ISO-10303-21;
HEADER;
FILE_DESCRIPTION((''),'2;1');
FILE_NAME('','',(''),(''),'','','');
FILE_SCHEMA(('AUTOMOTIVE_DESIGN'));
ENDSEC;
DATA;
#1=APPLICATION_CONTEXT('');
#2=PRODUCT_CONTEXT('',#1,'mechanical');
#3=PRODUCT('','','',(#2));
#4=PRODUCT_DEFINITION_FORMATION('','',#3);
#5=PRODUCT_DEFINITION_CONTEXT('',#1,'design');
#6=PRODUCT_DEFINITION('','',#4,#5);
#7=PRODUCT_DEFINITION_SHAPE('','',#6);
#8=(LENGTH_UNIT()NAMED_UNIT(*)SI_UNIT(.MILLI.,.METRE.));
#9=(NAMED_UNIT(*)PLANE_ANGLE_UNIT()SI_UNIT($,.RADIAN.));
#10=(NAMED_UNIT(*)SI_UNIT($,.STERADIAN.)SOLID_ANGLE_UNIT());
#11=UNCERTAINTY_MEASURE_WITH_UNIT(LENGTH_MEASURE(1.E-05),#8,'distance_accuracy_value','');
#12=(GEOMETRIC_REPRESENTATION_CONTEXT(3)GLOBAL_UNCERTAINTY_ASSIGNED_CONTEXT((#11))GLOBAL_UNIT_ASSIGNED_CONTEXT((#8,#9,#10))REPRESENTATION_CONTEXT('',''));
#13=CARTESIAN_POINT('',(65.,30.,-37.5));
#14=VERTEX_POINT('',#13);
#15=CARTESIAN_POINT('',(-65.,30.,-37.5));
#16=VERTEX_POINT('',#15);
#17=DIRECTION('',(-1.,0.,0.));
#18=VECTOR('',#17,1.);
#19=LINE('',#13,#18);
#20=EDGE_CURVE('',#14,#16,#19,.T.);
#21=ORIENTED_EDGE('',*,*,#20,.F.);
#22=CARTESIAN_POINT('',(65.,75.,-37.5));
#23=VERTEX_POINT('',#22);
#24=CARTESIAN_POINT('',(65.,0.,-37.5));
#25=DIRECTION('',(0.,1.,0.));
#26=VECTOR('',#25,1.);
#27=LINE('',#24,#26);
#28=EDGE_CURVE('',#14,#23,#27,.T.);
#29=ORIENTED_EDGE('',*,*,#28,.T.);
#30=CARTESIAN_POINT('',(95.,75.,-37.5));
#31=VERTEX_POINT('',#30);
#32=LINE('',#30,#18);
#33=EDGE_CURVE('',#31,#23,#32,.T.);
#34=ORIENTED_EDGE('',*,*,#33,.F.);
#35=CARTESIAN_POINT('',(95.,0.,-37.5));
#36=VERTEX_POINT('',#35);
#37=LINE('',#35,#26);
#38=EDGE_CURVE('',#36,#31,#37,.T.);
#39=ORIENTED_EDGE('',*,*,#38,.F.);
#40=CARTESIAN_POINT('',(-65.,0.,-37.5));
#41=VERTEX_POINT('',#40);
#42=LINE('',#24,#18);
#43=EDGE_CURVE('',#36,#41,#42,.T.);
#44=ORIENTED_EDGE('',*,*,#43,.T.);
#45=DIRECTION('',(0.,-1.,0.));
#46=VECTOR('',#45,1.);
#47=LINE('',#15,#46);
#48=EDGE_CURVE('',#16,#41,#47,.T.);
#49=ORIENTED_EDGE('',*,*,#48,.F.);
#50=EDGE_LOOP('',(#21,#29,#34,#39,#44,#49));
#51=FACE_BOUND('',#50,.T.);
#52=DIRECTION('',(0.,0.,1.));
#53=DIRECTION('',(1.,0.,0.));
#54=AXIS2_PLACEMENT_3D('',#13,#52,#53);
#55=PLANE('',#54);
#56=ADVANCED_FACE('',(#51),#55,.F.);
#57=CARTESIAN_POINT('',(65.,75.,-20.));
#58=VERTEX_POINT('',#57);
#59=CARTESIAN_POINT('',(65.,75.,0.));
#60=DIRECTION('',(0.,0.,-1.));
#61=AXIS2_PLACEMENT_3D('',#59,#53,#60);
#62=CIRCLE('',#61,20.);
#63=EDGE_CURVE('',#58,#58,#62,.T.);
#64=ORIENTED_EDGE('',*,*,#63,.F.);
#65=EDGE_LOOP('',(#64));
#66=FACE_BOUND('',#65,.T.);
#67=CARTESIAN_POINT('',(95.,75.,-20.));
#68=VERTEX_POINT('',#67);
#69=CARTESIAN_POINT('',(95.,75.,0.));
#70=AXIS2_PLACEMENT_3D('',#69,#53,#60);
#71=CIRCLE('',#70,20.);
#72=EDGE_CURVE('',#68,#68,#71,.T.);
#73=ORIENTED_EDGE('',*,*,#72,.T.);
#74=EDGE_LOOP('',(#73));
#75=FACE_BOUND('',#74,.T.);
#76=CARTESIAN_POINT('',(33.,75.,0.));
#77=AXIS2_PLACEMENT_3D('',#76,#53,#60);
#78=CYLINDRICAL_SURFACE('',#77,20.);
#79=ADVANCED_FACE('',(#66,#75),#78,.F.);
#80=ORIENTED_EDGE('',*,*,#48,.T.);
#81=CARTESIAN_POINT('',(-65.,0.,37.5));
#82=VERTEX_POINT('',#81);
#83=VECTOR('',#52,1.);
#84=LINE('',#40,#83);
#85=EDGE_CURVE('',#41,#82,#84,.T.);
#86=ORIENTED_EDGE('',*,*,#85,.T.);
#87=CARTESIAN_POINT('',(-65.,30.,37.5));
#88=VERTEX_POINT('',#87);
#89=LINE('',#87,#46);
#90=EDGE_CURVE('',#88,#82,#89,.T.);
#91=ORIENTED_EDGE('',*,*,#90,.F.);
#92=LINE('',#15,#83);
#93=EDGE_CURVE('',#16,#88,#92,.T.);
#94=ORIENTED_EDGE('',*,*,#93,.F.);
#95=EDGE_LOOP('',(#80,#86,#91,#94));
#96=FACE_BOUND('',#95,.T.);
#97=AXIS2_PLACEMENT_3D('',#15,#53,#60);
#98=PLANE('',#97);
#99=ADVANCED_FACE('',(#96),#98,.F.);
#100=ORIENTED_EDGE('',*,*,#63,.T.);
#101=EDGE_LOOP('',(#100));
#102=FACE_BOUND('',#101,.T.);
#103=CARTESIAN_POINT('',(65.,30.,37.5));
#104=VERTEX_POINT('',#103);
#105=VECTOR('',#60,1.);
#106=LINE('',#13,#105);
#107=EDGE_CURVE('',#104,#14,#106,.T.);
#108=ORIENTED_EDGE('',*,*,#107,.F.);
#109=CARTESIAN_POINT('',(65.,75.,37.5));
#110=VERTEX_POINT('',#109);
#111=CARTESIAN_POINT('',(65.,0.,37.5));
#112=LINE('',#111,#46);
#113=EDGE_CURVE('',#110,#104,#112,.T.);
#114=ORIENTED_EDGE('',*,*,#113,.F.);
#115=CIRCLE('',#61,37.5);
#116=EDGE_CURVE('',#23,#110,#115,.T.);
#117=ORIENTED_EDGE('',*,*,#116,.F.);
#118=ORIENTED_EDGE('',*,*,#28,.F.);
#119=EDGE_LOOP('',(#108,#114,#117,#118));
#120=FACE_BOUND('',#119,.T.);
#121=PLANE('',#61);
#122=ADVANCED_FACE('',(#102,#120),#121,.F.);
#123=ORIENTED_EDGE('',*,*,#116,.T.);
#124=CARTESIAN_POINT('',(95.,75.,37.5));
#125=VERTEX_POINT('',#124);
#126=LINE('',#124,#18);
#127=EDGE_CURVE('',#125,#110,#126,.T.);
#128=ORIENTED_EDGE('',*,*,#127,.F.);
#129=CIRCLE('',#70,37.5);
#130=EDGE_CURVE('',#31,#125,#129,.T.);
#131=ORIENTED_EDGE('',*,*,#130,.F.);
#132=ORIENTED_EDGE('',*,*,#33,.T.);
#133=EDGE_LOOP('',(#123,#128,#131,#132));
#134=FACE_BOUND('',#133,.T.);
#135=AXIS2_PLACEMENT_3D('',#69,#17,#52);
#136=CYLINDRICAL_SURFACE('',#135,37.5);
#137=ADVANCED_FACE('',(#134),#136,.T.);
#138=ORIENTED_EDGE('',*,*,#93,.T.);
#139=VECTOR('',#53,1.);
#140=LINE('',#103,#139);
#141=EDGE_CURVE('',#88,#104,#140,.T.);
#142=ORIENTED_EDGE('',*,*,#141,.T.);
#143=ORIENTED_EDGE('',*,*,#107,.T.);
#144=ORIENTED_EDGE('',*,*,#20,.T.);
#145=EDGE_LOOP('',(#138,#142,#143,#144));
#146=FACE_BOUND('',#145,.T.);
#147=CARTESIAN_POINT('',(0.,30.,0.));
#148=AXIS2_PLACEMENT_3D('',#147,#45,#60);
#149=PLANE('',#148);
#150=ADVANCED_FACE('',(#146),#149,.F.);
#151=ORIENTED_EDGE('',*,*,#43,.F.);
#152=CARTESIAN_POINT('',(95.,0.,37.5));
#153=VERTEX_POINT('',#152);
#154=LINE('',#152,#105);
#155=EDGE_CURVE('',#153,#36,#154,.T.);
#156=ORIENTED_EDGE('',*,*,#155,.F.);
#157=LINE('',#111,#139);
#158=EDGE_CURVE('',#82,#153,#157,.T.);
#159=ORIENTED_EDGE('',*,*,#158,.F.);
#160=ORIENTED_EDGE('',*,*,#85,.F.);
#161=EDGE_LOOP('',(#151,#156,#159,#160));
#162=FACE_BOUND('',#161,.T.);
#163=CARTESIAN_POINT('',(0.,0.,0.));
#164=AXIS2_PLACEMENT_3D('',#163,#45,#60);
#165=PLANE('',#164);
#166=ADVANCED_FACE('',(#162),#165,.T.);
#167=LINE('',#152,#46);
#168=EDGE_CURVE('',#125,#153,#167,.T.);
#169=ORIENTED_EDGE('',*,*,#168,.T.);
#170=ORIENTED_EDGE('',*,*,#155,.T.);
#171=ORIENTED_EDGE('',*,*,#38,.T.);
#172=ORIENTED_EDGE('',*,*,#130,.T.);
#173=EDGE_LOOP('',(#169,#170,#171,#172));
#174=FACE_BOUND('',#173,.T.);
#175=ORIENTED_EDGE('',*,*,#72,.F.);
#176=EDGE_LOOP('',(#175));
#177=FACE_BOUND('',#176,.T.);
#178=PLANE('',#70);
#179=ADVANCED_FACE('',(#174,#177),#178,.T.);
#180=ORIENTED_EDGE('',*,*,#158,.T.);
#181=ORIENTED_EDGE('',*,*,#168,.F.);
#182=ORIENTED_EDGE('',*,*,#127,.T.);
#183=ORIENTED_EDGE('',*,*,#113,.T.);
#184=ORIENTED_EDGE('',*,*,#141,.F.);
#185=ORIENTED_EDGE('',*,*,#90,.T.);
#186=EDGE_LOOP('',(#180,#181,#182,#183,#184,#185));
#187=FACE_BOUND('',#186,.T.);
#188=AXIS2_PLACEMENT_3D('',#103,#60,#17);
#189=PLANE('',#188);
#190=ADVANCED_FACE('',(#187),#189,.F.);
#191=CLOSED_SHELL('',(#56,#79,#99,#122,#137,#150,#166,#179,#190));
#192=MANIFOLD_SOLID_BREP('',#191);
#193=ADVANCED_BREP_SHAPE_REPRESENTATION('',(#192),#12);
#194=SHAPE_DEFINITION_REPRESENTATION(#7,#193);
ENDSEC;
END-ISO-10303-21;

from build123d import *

# Parameters (mm, degrees)
CROQUIS1_W              = 130
CROQUIS1_H              = 75
SALIENTE_EXTRUIR1_DEPTH = 30
SALIENTE_EXTRUIR2_DEPTH = 30
CROQUIS3_R              = 20
CORTAR_EXTRUIR1_DEPTH   = 62


with BuildPart() as part:
    # Croquis1 → Saliente-Extruir1 (new body)
    with BuildSketch(Plane(origin=(0, 0, 0), x_dir=(1, 0, 0), z_dir=(0, 1, 0))):
        Rectangle(CROQUIS1_W, CROQUIS1_H)
    extrude(amount=SALIENTE_EXTRUIR1_DEPTH)

    # Croquis2 → Saliente-Extruir2 (add)
    with BuildSketch(Plane(origin=(65, 0, 0), x_dir=(0, 0, -1), z_dir=(1, 0, 0))):
        with BuildLine():
            Line((-37.5, 0), (37.5, 0))
            Line((37.5, 0), (37.5, 75))
            ThreePointArc((37.5, 75), (0, 112.5), (-37.5, 75))
            Line((-37.5, 75), (-37.5, 0))
        make_face()
    extrude(amount=SALIENTE_EXTRUIR2_DEPTH)

    # Croquis3 → Cortar-Extruir1 (cut)
    with BuildSketch(Plane(origin=(95, 0, 0), x_dir=(0, 0, -1), z_dir=(1, 0, 0))):
        with Locations((0, 75)):
            Circle(CROQUIS3_R)
    extrude(amount=-CORTAR_EXTRUIR1_DEPTH, mode=Mode.SUBTRACT)


solid = part.part
